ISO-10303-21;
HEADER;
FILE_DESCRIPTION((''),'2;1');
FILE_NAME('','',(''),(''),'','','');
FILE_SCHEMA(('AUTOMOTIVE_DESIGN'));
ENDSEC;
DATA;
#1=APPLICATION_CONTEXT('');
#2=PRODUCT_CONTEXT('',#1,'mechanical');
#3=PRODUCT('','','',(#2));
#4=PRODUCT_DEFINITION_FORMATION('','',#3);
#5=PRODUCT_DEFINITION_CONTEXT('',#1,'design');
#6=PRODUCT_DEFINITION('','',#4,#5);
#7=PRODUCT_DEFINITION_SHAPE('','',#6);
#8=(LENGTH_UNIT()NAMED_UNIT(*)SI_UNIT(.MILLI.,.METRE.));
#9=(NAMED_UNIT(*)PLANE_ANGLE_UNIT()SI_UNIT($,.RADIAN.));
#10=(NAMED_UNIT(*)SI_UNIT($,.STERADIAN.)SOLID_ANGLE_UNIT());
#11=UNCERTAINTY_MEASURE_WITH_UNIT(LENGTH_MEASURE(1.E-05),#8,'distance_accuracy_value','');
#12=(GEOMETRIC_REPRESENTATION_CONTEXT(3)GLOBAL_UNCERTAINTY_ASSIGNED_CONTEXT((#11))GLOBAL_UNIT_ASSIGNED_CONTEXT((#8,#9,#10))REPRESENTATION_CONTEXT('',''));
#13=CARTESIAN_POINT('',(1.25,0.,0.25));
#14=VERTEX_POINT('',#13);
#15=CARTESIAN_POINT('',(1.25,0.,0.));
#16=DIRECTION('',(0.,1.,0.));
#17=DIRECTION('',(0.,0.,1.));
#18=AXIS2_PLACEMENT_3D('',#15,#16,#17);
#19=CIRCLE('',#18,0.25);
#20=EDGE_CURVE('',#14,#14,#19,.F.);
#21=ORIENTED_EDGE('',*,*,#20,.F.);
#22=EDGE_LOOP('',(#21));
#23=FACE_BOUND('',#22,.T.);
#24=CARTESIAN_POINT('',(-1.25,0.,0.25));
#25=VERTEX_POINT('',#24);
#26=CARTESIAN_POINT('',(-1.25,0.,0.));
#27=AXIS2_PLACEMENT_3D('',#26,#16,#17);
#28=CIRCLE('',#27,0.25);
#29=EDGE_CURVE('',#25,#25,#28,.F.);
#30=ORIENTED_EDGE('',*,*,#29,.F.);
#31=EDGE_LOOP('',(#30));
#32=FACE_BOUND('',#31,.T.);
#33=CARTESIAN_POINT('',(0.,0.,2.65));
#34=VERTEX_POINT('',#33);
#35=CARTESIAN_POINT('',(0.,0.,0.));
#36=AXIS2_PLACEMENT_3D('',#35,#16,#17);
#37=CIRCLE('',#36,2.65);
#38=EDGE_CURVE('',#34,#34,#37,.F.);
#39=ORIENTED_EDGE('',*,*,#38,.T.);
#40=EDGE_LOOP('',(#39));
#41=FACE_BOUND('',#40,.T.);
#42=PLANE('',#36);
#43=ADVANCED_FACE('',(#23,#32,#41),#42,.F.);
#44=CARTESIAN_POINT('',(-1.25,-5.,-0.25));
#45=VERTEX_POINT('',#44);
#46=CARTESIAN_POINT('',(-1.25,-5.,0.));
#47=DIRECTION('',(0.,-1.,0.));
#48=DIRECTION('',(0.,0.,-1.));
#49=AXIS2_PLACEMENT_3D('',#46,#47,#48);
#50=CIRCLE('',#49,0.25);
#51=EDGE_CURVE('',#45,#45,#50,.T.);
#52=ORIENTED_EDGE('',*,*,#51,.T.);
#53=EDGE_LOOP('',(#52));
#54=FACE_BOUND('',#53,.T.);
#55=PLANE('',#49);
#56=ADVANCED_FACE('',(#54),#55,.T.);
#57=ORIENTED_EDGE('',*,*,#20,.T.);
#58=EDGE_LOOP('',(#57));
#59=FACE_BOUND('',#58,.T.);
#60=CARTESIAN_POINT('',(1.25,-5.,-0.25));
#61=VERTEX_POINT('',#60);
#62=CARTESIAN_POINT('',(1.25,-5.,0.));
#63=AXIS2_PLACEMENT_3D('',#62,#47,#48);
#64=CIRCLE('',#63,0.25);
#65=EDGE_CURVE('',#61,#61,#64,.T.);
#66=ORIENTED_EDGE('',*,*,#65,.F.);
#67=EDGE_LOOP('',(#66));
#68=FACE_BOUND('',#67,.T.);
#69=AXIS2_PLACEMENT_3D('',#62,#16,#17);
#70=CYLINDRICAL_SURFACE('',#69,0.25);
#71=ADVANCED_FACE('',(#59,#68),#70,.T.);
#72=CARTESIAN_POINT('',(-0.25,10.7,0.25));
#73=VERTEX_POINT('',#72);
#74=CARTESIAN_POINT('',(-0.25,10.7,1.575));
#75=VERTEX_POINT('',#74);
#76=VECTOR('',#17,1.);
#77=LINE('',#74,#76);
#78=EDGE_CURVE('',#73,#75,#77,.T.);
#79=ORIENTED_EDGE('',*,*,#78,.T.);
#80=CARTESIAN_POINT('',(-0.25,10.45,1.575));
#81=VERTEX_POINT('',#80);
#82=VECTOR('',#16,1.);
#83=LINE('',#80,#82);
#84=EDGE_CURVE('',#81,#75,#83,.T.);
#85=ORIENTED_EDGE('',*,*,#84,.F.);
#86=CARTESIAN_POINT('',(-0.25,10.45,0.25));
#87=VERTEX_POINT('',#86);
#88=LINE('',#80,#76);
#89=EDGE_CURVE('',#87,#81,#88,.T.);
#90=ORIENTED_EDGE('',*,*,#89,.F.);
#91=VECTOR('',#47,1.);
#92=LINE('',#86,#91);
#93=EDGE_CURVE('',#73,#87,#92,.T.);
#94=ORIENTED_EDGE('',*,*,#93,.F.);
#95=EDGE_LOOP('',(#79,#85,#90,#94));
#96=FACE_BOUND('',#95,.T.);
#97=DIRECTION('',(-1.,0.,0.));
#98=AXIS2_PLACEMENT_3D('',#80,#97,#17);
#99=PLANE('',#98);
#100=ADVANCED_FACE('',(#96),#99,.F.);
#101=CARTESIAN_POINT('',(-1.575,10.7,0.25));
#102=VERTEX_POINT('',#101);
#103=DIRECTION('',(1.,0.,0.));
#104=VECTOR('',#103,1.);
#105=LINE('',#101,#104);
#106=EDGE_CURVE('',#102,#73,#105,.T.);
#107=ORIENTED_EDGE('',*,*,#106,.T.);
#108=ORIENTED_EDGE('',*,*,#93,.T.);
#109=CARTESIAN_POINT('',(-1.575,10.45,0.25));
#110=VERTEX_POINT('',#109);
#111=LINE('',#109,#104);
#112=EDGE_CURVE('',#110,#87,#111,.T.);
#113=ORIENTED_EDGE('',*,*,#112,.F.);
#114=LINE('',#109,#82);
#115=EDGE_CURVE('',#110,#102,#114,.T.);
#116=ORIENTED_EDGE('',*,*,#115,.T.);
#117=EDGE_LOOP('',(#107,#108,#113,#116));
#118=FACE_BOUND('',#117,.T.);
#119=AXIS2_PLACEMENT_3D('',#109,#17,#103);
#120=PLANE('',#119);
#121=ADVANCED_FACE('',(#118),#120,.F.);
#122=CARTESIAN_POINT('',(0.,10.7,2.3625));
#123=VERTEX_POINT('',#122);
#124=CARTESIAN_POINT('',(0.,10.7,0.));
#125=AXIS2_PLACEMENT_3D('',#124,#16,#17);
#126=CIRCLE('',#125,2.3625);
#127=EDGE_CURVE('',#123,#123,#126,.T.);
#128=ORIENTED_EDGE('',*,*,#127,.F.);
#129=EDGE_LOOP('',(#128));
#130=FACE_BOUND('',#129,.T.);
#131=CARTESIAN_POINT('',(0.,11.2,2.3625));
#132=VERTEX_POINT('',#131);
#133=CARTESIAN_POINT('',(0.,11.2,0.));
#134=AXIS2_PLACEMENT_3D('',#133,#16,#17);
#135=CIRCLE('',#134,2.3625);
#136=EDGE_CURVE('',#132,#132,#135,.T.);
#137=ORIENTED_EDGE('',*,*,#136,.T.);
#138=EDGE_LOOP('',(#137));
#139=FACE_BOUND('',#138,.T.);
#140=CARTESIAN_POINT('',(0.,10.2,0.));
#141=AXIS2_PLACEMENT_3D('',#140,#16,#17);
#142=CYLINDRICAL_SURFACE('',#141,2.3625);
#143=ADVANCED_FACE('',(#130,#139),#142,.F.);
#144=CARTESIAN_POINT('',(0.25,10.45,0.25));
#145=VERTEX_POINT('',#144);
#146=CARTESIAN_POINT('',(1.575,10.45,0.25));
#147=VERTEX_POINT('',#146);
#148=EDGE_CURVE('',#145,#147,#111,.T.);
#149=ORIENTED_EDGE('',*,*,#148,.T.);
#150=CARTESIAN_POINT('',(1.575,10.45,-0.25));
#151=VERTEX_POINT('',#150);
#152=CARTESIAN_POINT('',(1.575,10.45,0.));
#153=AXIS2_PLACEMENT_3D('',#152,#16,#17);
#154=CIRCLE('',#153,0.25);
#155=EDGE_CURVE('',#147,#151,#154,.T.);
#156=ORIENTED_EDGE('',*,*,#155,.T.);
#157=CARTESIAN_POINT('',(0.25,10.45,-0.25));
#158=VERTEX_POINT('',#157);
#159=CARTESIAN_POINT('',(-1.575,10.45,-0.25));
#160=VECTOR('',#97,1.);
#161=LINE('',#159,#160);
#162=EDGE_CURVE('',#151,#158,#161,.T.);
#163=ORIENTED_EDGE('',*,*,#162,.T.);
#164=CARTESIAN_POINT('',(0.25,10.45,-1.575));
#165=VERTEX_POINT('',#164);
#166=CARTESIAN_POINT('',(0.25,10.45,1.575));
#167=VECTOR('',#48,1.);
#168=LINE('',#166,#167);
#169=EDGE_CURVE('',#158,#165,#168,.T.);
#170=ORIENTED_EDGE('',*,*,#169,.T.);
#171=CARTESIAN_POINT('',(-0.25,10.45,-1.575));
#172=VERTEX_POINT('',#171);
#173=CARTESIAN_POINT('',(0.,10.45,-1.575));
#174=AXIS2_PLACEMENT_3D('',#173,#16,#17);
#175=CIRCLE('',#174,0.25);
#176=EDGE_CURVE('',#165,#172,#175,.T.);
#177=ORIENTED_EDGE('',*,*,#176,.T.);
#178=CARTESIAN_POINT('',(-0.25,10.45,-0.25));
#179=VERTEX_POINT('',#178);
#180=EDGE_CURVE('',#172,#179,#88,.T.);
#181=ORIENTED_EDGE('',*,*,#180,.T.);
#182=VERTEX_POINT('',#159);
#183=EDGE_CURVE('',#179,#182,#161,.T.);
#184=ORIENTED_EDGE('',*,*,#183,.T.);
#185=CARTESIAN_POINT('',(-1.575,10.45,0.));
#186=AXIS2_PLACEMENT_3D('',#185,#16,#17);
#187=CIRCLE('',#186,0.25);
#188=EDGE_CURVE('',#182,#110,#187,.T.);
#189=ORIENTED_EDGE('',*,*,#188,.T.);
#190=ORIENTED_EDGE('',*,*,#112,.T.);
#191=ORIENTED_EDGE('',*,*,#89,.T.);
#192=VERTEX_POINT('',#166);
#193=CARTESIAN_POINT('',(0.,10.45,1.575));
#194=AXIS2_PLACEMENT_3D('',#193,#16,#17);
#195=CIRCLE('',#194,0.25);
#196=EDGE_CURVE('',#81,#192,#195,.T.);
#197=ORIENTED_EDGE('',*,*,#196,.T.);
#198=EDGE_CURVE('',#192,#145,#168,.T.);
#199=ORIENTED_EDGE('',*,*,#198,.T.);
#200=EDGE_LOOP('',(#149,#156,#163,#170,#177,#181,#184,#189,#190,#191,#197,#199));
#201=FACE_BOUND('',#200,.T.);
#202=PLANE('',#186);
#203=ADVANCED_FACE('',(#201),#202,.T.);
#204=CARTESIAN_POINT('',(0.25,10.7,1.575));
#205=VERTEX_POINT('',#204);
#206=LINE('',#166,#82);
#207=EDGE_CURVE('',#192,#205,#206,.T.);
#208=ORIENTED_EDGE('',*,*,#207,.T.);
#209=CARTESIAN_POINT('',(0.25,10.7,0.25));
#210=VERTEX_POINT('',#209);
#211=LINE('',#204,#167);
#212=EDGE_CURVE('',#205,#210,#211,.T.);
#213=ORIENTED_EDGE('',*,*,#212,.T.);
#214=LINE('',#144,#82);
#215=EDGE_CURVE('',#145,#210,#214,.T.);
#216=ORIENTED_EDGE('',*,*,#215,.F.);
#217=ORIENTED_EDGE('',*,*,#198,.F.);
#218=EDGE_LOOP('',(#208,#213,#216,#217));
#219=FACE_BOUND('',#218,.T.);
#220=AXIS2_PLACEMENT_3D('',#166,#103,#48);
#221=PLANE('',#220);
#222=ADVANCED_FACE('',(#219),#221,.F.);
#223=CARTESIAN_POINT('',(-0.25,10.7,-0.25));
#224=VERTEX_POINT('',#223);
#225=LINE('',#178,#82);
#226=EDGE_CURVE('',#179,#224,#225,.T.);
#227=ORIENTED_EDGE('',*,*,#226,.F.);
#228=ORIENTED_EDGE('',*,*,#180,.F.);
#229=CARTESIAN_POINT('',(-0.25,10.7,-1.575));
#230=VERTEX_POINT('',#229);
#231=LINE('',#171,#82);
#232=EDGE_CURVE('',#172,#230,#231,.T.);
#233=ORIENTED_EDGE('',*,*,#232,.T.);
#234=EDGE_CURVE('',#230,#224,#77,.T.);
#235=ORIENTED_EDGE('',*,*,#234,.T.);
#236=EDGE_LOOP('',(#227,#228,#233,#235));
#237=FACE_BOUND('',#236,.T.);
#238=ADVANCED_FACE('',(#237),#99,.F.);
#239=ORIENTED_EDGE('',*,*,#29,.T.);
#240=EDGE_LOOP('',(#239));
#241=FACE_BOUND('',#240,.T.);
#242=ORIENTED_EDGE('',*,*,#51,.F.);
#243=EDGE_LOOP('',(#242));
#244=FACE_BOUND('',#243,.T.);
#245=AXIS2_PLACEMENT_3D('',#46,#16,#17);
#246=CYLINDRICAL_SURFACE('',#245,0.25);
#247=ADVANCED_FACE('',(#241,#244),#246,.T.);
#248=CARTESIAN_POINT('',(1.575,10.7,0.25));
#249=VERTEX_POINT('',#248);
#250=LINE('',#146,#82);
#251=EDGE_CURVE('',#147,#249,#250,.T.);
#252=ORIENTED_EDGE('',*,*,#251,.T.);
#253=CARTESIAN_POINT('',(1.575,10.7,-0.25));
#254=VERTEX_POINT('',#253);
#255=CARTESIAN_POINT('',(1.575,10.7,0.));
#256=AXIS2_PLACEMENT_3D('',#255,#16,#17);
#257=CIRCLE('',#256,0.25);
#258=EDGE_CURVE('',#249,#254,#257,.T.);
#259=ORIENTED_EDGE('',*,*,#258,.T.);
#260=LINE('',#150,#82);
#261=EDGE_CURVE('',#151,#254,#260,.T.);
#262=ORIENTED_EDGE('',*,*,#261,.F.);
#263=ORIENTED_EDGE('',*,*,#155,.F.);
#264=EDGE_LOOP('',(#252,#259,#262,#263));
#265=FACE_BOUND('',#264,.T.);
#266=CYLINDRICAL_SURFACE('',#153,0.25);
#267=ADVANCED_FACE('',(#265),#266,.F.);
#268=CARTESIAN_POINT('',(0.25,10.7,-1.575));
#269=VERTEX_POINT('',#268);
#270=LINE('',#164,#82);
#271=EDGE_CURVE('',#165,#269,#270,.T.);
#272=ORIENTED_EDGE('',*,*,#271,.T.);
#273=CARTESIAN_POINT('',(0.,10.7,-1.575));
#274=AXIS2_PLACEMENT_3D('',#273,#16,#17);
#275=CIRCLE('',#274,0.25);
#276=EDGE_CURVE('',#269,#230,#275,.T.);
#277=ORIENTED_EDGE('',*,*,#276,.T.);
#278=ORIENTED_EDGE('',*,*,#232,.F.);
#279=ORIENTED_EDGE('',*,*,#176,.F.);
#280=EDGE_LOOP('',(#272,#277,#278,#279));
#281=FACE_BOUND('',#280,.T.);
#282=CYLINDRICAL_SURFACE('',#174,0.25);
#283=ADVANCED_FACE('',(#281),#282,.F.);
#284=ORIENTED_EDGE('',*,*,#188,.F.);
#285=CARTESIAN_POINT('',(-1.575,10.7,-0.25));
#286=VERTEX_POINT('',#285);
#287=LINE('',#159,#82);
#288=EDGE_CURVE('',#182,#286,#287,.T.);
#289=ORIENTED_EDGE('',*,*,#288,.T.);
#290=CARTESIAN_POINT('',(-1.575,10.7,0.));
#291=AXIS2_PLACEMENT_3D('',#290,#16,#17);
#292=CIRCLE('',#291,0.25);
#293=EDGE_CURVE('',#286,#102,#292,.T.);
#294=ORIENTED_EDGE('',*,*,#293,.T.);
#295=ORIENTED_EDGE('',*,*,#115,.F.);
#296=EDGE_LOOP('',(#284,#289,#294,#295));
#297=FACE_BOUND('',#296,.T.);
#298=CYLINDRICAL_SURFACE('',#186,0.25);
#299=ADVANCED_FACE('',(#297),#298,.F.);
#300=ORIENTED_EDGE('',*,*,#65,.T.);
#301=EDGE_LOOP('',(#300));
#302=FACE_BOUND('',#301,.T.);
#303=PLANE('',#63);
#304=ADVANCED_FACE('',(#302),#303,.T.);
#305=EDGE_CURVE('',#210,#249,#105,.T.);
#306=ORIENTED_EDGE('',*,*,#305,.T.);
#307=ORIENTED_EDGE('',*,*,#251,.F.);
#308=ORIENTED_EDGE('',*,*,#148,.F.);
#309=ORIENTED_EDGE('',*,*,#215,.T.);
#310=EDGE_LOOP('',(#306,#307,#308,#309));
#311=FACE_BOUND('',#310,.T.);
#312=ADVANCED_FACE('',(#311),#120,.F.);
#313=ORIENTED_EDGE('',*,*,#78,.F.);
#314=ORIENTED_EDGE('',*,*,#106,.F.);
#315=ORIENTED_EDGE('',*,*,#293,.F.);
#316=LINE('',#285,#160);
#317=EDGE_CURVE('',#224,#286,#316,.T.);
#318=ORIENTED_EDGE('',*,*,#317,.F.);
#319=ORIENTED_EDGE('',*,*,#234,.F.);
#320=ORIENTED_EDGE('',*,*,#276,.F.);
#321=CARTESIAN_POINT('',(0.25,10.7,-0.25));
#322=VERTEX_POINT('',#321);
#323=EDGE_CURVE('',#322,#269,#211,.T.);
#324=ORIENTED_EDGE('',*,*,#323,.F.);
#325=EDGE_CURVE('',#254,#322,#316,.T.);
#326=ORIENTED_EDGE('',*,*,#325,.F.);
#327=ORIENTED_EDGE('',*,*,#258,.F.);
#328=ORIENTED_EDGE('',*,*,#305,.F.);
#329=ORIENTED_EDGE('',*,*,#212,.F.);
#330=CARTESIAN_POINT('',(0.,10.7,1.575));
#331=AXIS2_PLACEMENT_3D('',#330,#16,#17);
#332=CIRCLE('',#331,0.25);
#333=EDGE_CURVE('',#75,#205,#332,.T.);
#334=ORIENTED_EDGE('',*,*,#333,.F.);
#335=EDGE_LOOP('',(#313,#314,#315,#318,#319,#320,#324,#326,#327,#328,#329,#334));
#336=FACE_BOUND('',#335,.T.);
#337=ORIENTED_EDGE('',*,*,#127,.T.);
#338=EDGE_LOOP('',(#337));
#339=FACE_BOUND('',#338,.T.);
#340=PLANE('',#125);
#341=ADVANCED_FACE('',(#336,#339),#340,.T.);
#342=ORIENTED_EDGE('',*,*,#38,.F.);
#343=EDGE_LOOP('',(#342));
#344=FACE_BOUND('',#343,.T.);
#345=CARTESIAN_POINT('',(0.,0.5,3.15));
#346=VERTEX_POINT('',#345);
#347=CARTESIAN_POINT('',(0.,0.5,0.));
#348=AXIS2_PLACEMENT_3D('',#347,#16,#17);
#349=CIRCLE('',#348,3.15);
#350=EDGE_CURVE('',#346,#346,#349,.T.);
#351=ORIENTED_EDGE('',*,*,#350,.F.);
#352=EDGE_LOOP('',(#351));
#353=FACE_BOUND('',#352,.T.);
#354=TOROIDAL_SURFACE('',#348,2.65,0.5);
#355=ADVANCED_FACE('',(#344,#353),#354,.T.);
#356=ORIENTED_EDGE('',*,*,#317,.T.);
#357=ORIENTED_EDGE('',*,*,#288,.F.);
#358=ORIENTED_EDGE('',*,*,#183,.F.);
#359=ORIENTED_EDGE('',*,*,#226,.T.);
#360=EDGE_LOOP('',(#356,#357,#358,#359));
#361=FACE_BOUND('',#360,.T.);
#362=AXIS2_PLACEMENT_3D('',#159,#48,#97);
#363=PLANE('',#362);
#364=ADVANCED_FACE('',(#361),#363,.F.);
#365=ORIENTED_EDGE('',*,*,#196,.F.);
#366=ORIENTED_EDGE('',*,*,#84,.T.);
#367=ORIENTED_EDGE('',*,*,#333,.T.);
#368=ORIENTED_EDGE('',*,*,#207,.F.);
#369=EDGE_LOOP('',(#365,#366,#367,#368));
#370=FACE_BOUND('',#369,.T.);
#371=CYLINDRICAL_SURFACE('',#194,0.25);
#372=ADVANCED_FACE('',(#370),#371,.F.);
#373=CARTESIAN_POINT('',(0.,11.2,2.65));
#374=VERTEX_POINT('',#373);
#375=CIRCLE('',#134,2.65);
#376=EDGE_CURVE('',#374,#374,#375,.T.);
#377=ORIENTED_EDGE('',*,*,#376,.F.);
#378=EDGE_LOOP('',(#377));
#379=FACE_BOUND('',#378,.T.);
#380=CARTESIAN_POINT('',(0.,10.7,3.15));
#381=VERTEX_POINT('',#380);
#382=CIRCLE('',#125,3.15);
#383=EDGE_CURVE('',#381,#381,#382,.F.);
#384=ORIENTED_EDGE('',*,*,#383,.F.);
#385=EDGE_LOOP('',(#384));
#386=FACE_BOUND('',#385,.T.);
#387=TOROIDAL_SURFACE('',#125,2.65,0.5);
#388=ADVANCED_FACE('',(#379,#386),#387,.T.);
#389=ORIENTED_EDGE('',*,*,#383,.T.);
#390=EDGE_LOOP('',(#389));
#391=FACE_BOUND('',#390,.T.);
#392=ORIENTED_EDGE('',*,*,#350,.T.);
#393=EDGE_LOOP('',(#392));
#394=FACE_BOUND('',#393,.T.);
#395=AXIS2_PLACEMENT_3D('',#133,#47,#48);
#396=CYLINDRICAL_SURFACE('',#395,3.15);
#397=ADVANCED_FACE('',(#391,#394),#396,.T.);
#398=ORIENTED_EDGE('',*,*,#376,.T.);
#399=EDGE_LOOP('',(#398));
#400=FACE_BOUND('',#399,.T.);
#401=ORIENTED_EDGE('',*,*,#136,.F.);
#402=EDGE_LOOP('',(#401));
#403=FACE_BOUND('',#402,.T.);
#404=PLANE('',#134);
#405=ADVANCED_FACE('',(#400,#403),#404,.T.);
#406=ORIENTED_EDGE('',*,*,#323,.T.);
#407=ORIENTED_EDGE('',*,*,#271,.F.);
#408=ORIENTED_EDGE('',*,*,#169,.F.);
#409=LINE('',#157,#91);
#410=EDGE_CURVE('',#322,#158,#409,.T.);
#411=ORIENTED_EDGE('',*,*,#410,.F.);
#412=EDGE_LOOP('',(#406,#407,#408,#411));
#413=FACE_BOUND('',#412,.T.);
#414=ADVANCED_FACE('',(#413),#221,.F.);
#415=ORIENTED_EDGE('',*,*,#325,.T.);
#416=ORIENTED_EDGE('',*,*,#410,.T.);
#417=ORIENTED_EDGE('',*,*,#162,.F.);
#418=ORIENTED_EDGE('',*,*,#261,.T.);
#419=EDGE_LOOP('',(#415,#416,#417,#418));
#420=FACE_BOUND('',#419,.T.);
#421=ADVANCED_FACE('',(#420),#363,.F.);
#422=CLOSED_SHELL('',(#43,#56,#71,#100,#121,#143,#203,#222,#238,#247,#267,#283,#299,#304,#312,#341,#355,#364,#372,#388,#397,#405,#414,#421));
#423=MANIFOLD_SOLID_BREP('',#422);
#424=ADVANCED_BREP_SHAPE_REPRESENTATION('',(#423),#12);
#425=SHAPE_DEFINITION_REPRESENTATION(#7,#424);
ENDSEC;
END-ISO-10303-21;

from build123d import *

# Parameters (mm, degrees)
SKETCH_2_R          = 3.15
EXTRUDE_1_DEPTH     = 11.2
FILLET_1_R          = 0.5
SKETCH_3_R          = 0.25
EXTRUDE_2_DEPTH     = 5
SKETCH_5_R          = 2.3625
CUT_EXTRUDE_1_DEPTH = 1
EXTRUDE_START       = 0.5
SKETCH_6_R          = 2.3625
EXTRUDE_3_DEPTH     = 0.5
CUT_EXTRUDE_2_DEPTH = 0.25
CUT_EXTRUDE_3_DEPTH = 0.25


with BuildPart() as part:
    # 草图2 → 凸台-拉伸1 (new body)
    with BuildSketch(Plane(origin=(0, 0, 0), x_dir=(1, 0, 0), z_dir=(0, 1, 0))):
        with Locations(Location((0, 0, 0), (0, 0, 270))):
            Circle(SKETCH_2_R)
    extrude(amount=EXTRUDE_1_DEPTH)

    # 圆角1
    fillet_1_edges = [part.edges().sort_by_distance(p)[0] for p in [
        (0, 0, -3.15),
        (0, 11.2, -3.15),
    ]]
    fillet(fillet_1_edges, radius=FILLET_1_R)

    # 草图3 → 凸台-拉伸2 (add)
    with BuildSketch(Plane.XZ):
        with Locations(Location((-1.25, 0, 0), (0, 0, 90))):
            Circle(SKETCH_3_R)
        with Locations(Location((1.25, 0, 0), (0, 0, 90))):
            Circle(SKETCH_3_R)
    extrude(amount=EXTRUDE_2_DEPTH)

    # 草图5 → 切除-拉伸1 (cut)
    with BuildSketch(Plane(origin=(0, 11.2, 0), x_dir=(1, 0, 0), z_dir=(0, 1, 0))):
        with Locations(Location((0, 0, 0), (0, 0, 270))):
            Circle(SKETCH_5_R)
    extrude(amount=-CUT_EXTRUDE_1_DEPTH, mode=Mode.SUBTRACT)

    # 草图6 → 凸台-拉伸3 (add)
    with BuildSketch(Plane(origin=(0, 10.2, 0), x_dir=(1, 0, 0), z_dir=(0, 1, 0)).offset(EXTRUDE_START)):
        with Locations(Location((0, 0, 0), (0, 0, 270))):
            Circle(SKETCH_6_R)
    extrude(amount=-EXTRUDE_3_DEPTH)

    # 草图7 → 切除-拉伸2 (cut)
    with BuildSketch(Plane(origin=(0, 10.7, 0), x_dir=(1, 0, 0), z_dir=(0, 1, 0))):
        with BuildLine():
            Line((-1.575, 0.25), (1.575, 0.25))
            ThreePointArc((1.575, 0.25), (1.825, 0), (1.575, -0.25))
            Line((1.575, -0.25), (-1.575, -0.25))
            ThreePointArc((-1.575, -0.25), (-1.825, 0), (-1.575, 0.25))
        make_face()
    extrude(amount=-CUT_EXTRUDE_2_DEPTH, mode=Mode.SUBTRACT)

    # 草图8 → 切除-拉伸3 (cut)
    with BuildSketch(Plane(origin=(0, 10.7, 0), x_dir=(1, 0, 0), z_dir=(0, 1, 0))):
        with BuildLine():
            Line((-0.25, -1.575), (-0.25, 1.575))
            ThreePointArc((-0.25, 1.575), (0, 1.825), (0.25, 1.575))
            Line((0.25, 1.575), (0.25, -1.575))
            ThreePointArc((0.25, -1.575), (0, -1.825), (-0.25, -1.575))
        make_face()
    extrude(amount=-CUT_EXTRUDE_3_DEPTH, mode=Mode.SUBTRACT)


solid = part.part
